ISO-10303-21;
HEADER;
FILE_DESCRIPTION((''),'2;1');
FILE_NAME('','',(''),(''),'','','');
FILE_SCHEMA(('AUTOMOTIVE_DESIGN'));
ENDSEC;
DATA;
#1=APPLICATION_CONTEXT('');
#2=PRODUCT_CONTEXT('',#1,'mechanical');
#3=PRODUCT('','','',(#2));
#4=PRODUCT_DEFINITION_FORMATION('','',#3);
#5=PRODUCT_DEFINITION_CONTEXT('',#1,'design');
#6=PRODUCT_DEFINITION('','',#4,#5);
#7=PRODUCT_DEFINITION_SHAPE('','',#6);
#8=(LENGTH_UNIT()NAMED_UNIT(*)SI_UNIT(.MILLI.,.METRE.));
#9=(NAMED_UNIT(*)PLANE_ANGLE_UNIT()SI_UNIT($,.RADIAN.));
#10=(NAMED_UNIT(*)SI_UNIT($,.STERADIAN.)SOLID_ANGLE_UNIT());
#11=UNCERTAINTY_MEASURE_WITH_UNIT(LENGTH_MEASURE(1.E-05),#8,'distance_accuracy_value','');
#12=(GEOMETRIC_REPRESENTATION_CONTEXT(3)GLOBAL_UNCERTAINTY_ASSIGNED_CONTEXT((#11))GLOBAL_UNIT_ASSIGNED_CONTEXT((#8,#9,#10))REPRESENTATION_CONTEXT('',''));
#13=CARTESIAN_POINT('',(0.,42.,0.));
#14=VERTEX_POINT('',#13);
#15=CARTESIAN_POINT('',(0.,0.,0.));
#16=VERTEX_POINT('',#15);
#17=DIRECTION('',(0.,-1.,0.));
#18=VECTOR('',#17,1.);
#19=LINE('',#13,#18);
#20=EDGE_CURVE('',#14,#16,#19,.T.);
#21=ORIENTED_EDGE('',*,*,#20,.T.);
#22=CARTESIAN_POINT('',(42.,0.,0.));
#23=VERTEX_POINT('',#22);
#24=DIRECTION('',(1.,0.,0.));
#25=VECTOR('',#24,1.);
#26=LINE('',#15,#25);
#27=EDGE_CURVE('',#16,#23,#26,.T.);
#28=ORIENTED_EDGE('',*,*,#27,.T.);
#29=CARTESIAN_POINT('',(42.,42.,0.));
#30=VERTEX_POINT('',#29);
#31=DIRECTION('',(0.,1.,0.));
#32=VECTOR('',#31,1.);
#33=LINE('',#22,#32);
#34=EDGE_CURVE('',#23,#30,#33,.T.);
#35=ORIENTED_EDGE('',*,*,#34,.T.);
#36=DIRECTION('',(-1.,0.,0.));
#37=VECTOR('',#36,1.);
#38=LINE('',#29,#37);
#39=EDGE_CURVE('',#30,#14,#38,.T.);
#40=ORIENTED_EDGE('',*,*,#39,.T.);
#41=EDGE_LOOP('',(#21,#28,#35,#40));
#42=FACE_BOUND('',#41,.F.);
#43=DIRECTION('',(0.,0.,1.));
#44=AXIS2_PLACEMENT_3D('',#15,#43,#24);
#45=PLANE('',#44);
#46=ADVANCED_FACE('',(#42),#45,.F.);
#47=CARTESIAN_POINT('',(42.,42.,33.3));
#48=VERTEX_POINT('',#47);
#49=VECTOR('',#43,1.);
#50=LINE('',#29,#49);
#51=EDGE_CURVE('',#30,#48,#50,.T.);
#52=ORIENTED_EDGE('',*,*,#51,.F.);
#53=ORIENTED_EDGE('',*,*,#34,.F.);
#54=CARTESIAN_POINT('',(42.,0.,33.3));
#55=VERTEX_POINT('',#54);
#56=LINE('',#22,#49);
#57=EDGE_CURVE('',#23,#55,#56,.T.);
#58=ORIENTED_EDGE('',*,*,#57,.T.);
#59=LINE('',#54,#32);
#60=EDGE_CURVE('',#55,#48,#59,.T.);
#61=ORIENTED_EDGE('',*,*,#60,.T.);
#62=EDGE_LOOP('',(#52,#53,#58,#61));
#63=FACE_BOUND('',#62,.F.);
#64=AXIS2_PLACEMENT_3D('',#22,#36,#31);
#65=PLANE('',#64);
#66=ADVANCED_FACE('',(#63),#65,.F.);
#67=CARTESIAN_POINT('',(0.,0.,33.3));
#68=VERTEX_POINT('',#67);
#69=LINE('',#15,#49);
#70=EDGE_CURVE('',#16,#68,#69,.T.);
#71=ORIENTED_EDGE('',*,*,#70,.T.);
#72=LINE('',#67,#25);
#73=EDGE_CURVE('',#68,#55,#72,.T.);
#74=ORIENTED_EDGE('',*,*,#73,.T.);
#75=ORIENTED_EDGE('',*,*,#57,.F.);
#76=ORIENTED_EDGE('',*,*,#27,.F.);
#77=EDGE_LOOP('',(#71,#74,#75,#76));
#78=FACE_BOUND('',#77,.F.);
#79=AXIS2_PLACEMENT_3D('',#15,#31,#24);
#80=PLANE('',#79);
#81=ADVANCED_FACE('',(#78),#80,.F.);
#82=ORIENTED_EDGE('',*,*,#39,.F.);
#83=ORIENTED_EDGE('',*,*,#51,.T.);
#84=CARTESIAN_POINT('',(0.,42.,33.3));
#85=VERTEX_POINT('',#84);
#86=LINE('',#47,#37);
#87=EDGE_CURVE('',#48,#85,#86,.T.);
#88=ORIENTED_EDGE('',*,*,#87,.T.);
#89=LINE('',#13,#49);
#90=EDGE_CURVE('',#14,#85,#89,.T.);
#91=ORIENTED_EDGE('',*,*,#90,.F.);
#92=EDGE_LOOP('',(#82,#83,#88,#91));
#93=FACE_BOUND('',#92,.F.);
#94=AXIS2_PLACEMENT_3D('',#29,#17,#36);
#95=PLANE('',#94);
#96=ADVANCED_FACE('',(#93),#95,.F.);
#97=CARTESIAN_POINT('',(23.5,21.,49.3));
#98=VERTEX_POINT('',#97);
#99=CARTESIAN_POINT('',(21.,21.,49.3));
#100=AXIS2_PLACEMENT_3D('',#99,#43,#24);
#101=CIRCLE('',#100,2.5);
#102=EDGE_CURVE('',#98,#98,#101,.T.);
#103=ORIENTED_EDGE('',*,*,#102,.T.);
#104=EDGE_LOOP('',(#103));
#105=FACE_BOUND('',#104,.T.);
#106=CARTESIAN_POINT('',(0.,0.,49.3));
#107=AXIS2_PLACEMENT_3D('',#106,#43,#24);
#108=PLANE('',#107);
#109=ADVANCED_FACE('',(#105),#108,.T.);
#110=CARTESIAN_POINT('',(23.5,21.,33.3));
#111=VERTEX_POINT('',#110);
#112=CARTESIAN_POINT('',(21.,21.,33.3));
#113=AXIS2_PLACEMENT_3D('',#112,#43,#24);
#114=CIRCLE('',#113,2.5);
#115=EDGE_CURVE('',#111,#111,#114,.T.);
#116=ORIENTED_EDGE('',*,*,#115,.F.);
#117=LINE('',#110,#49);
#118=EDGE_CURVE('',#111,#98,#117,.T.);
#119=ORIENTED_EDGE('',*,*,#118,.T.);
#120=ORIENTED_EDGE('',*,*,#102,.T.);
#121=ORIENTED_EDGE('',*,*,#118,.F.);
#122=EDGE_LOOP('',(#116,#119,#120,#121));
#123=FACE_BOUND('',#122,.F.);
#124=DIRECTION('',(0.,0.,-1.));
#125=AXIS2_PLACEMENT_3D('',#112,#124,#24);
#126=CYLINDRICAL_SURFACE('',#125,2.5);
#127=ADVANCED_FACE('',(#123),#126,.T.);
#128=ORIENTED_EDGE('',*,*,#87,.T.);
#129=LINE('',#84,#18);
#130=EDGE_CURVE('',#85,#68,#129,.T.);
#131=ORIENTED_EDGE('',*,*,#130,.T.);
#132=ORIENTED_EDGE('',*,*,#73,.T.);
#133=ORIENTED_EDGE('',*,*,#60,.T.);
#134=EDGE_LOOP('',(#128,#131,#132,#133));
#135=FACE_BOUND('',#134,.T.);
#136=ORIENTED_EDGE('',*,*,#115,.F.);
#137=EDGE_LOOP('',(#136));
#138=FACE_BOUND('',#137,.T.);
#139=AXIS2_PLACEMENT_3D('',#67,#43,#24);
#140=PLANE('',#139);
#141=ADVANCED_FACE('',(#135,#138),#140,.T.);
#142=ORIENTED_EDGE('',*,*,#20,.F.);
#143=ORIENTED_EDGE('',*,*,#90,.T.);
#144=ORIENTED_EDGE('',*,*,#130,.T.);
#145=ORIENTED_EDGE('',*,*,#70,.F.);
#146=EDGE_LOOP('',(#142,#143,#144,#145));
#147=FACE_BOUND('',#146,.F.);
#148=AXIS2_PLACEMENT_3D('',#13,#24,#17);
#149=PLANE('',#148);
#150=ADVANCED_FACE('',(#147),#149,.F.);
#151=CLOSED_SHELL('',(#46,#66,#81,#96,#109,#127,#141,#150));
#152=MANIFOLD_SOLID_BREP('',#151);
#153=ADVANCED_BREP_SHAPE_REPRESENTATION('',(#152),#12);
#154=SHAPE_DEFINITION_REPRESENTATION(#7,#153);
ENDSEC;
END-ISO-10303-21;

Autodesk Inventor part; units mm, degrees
ref_plane "YZ Plane" through (0, 0, 0) normal (1, 0, 0) x (0, 1, 0)
ref_plane "XZ Plane" through (0, 0, 0) normal (0, 1, 0) x (-1, 0, 0)
ref_plane "XY Plane" through (0, 0, 0) normal (0, 0, 1) x (1, 0, 0)
sketch "Sketch1" plane through (0, 0, 0) normal (0, 0, 1) x (1, 0, 0)
  line L0 (0, 0) -> (42, 0)
  line L1 (42, 0) -> (42, 42)
  line L2 (42, 42) -> (0, 42)
  line L3 (0, 42) -> (0, 0)
  dimension "d0" = 42
  dimension "d1" = 42
extrude "Extrusion1" add sketch "Sketch1" along normal blind 33.3
sketch "Sketch2" plane through (0, 0, 33.3) normal (0, 0, 1) x (1, 0, 0)
  circle A0 centre (21, 21) radius 2.5
  line L0 (42, 0) -> (42, 42) projected
  line L1 (42, 42) -> (0, 42) projected
  point P0 (0, 0)
  dimension "d4" = 5
  dimension "d7" = 21
  dimension "d8" = 21
extrude "Extrusion2" add sketch "Sketch2" along normal blind 16
properties part number "Motor"
